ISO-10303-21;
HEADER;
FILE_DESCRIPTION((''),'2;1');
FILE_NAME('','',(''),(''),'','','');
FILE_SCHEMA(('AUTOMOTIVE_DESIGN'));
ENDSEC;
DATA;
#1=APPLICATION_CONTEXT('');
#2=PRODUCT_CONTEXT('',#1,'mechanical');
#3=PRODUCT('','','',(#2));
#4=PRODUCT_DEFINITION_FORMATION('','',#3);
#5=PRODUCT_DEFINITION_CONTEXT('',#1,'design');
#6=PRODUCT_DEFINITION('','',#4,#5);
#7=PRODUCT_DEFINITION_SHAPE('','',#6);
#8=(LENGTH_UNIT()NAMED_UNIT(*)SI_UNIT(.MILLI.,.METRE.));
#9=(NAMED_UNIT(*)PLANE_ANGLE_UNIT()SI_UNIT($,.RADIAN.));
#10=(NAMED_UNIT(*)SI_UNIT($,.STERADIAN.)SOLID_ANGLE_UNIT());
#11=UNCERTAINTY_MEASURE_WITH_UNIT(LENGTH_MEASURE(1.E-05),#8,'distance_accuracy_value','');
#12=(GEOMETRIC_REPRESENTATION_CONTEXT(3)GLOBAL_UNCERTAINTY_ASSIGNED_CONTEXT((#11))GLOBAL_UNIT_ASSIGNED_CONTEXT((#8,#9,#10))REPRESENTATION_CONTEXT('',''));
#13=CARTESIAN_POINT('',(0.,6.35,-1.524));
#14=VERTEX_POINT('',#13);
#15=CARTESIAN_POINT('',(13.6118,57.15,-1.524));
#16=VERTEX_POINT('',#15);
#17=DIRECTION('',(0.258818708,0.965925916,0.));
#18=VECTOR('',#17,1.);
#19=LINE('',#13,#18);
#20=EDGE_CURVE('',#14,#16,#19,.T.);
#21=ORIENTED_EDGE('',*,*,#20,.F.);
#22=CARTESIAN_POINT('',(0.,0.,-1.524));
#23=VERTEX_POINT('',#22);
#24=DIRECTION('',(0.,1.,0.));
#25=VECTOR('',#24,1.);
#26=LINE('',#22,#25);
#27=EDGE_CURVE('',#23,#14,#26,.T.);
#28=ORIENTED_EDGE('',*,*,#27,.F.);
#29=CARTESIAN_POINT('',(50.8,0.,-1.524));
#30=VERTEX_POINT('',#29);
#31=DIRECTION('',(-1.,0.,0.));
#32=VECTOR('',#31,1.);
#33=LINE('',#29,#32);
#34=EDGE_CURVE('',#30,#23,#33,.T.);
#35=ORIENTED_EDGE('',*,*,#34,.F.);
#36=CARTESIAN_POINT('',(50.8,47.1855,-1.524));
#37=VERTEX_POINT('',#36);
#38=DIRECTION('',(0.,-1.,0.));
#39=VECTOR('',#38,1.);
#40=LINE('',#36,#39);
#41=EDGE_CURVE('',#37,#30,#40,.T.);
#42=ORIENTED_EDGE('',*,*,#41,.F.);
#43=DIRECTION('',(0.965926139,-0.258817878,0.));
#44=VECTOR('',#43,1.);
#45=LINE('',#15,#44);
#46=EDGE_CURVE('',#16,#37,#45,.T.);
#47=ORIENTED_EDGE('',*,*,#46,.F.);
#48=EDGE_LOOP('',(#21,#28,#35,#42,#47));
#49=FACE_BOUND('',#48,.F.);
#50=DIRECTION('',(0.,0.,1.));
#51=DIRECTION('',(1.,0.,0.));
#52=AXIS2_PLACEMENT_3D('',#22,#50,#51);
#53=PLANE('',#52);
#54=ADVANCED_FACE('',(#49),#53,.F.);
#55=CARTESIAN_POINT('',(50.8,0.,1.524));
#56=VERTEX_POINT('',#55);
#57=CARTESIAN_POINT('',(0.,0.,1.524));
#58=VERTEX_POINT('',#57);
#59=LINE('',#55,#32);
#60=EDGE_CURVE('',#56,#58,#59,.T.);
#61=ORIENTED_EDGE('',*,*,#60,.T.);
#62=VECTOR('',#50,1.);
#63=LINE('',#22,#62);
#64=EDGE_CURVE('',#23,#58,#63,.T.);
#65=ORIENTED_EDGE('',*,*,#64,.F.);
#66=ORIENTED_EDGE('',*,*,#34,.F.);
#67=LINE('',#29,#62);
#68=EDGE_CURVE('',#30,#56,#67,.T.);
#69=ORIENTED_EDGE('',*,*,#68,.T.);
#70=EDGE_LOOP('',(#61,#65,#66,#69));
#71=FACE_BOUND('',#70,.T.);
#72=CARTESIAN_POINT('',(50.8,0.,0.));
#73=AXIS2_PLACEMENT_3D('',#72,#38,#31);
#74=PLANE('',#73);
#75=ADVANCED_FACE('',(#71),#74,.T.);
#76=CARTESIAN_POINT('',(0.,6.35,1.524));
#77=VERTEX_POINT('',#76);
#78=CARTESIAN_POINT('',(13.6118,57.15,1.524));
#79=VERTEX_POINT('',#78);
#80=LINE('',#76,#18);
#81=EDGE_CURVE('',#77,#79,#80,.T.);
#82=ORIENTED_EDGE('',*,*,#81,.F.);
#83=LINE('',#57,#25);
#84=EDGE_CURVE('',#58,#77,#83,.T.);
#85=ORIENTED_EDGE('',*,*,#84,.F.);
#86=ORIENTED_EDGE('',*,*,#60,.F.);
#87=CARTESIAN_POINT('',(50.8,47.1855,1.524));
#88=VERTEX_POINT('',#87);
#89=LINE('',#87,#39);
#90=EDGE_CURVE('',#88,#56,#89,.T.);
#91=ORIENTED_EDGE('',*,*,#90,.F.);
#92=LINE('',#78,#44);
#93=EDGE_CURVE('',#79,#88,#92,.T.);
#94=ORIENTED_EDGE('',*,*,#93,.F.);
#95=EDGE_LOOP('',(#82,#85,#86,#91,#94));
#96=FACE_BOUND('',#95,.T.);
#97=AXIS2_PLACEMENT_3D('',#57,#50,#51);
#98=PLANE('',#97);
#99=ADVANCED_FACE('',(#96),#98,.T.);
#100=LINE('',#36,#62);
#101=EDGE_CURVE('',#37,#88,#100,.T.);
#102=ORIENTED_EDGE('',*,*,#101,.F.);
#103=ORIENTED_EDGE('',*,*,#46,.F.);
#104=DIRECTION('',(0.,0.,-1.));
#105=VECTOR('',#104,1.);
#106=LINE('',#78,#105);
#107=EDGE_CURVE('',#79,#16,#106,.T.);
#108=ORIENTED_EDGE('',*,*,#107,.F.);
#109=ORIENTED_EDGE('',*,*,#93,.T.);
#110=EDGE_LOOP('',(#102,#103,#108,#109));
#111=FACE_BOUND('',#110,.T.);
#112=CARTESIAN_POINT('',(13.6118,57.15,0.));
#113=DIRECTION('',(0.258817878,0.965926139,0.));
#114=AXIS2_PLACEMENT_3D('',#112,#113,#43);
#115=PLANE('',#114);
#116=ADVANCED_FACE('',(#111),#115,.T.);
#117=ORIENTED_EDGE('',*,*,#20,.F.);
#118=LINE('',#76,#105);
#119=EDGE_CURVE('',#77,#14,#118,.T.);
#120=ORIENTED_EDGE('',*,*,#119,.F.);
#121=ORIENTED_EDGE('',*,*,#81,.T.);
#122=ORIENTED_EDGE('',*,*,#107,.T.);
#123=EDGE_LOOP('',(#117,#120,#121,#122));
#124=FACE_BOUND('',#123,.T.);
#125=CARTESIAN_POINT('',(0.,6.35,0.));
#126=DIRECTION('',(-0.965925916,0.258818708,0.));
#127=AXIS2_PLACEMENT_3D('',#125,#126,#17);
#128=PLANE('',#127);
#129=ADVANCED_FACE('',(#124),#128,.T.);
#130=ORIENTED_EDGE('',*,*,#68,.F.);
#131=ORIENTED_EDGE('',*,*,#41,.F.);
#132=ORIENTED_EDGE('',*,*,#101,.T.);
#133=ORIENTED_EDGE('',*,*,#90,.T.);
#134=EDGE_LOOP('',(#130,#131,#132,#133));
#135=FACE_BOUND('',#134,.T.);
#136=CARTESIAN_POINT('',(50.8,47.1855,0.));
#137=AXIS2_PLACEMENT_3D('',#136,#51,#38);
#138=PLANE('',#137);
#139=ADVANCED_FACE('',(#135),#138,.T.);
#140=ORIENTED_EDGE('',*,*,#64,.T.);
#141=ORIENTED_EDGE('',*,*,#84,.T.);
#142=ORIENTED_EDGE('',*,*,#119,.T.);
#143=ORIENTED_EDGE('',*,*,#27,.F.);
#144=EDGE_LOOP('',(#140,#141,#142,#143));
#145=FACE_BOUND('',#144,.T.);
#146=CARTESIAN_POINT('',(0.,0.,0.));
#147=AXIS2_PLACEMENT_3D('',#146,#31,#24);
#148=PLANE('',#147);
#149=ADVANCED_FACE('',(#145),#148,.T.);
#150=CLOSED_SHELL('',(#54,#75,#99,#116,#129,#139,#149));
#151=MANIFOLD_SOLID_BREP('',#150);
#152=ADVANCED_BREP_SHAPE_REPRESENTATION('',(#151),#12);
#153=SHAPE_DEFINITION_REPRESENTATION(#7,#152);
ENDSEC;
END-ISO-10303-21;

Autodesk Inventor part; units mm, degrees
ref_plane "YZ Plane" through (0, 0, 0) normal (1, 0, 0) x (0, 1, 0)
ref_plane "XZ Plane" through (0, 0, 0) normal (0, 1, 0) x (-1, 0, 0)
ref_plane "XY Plane" through (0, 0, 0) normal (0, 0, 1) x (1, 0, 0)
sketch "Sketch1" plane through (0, 0, 0) normal (0, 0, 1) x (1, 0, 0)
  line L0 (0, 0) -> (0, 6.35)
  line L1 (0, 6.35) -> (13.6118, 57.15)
  line L2 (13.6118, 57.15) -> (50.8, 47.1855)
  line L3 (50.8, 47.1855) -> (50.8, 0)
  line L4 (50.8, 0) -> (0, 0)
  dimension "d0" = 50.8
  dimension "d1" = 6.35
  dimension "d2" = 15
  dimension "d3" = 57.15
extrude "Extrusion1" add sketch "Sketch1" along normal mid plane 3.048
properties part number "A1-18002-100-54 Tube stop" material "Steel, Mild"
